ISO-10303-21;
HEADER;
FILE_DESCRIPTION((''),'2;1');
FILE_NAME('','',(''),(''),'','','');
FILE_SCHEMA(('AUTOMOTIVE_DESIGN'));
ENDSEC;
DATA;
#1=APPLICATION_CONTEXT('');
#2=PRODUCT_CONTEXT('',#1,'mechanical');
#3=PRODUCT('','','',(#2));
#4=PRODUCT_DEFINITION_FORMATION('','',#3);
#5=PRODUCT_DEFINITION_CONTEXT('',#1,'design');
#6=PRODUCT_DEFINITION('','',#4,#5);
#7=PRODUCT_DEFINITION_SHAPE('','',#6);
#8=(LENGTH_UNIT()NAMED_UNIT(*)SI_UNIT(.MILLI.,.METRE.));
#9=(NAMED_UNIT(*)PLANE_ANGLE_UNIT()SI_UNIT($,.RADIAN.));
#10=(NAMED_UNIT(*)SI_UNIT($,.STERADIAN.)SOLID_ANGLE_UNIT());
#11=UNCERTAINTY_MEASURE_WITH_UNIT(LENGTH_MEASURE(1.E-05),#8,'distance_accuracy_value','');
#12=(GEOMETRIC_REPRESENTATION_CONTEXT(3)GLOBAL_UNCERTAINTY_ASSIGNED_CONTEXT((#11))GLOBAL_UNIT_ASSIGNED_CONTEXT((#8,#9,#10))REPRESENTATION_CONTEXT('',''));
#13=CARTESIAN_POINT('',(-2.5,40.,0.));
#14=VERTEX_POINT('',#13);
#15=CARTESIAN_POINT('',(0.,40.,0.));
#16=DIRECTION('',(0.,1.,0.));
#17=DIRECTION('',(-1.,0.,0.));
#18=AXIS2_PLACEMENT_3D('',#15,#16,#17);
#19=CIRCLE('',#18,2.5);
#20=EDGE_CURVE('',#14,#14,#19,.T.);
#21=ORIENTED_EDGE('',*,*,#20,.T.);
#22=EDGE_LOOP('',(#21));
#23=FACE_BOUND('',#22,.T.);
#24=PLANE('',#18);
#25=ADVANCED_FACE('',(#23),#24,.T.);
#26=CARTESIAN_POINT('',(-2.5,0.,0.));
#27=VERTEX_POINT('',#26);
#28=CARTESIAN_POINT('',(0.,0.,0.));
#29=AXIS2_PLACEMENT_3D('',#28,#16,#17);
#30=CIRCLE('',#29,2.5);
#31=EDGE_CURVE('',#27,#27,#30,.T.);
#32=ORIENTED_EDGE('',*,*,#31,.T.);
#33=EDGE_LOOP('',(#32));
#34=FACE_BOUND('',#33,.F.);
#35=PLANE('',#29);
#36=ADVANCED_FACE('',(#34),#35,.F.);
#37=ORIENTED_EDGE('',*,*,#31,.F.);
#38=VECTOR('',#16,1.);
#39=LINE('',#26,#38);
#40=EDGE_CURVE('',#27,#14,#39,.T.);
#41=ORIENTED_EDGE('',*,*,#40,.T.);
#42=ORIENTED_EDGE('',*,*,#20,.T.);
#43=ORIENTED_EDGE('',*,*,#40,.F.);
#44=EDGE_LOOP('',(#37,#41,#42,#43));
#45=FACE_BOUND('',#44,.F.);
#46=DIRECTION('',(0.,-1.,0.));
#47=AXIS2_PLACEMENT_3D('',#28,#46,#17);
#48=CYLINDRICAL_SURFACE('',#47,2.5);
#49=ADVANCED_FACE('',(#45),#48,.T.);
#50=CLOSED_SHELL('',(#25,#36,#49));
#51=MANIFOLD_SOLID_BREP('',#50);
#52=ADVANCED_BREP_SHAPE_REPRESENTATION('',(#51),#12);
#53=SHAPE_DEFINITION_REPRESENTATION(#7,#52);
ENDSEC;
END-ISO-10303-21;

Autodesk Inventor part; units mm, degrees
ref_plane "YZ Plane" through (0, 0, 0) normal (1, 0, 0) x (0, 1, 0)
ref_plane "XZ Plane" through (0, 0, 0) normal (0, 1, 0) x (-1, 0, 0)
ref_plane "XY Plane" through (0, 0, 0) normal (0, 0, 1) x (1, 0, 0)
sketch "Szkic1" plane through (0, 0, 0) normal (0, 1, 0) x (-1, 0, 0)
  circle A0 centre (0, 0) radius 4.25
  line L0 (1.1547, 2) -> (2.3094, 0)
  line L1 (2.3094, 0) -> (1.1547, -2)
  line L2 (1.1547, -2) -> (-1.1547, -2)
  line L3 (-1.1547, -2) -> (-2.3094, 0)
  line L4 (-2.3094, 0) -> (-1.1547, 2)
  line L5 (-1.1547, 2) -> (1.1547, 2)
  circle A1 centre (0, 0) radius 2.5
  dimension "d0" = 8.5
  dimension "d1" = 4
  dimension "d2" = 5
extrude "Wyciągnięcie proste4" add sketch "Szkic1" along normal blind 40 contours L0 L1 L2 L3 L4 L5 | A1
thread "Gwint2" size "M5x0.8" class "6g" standard "ANSI Metric M Profile" length 5
thread "Gwint3" size "M5x0.8" class "6g" standard "ANSI Metric M Profile" length 5
properties part number "M5_shaftipt" material "Aluminum 6061"
